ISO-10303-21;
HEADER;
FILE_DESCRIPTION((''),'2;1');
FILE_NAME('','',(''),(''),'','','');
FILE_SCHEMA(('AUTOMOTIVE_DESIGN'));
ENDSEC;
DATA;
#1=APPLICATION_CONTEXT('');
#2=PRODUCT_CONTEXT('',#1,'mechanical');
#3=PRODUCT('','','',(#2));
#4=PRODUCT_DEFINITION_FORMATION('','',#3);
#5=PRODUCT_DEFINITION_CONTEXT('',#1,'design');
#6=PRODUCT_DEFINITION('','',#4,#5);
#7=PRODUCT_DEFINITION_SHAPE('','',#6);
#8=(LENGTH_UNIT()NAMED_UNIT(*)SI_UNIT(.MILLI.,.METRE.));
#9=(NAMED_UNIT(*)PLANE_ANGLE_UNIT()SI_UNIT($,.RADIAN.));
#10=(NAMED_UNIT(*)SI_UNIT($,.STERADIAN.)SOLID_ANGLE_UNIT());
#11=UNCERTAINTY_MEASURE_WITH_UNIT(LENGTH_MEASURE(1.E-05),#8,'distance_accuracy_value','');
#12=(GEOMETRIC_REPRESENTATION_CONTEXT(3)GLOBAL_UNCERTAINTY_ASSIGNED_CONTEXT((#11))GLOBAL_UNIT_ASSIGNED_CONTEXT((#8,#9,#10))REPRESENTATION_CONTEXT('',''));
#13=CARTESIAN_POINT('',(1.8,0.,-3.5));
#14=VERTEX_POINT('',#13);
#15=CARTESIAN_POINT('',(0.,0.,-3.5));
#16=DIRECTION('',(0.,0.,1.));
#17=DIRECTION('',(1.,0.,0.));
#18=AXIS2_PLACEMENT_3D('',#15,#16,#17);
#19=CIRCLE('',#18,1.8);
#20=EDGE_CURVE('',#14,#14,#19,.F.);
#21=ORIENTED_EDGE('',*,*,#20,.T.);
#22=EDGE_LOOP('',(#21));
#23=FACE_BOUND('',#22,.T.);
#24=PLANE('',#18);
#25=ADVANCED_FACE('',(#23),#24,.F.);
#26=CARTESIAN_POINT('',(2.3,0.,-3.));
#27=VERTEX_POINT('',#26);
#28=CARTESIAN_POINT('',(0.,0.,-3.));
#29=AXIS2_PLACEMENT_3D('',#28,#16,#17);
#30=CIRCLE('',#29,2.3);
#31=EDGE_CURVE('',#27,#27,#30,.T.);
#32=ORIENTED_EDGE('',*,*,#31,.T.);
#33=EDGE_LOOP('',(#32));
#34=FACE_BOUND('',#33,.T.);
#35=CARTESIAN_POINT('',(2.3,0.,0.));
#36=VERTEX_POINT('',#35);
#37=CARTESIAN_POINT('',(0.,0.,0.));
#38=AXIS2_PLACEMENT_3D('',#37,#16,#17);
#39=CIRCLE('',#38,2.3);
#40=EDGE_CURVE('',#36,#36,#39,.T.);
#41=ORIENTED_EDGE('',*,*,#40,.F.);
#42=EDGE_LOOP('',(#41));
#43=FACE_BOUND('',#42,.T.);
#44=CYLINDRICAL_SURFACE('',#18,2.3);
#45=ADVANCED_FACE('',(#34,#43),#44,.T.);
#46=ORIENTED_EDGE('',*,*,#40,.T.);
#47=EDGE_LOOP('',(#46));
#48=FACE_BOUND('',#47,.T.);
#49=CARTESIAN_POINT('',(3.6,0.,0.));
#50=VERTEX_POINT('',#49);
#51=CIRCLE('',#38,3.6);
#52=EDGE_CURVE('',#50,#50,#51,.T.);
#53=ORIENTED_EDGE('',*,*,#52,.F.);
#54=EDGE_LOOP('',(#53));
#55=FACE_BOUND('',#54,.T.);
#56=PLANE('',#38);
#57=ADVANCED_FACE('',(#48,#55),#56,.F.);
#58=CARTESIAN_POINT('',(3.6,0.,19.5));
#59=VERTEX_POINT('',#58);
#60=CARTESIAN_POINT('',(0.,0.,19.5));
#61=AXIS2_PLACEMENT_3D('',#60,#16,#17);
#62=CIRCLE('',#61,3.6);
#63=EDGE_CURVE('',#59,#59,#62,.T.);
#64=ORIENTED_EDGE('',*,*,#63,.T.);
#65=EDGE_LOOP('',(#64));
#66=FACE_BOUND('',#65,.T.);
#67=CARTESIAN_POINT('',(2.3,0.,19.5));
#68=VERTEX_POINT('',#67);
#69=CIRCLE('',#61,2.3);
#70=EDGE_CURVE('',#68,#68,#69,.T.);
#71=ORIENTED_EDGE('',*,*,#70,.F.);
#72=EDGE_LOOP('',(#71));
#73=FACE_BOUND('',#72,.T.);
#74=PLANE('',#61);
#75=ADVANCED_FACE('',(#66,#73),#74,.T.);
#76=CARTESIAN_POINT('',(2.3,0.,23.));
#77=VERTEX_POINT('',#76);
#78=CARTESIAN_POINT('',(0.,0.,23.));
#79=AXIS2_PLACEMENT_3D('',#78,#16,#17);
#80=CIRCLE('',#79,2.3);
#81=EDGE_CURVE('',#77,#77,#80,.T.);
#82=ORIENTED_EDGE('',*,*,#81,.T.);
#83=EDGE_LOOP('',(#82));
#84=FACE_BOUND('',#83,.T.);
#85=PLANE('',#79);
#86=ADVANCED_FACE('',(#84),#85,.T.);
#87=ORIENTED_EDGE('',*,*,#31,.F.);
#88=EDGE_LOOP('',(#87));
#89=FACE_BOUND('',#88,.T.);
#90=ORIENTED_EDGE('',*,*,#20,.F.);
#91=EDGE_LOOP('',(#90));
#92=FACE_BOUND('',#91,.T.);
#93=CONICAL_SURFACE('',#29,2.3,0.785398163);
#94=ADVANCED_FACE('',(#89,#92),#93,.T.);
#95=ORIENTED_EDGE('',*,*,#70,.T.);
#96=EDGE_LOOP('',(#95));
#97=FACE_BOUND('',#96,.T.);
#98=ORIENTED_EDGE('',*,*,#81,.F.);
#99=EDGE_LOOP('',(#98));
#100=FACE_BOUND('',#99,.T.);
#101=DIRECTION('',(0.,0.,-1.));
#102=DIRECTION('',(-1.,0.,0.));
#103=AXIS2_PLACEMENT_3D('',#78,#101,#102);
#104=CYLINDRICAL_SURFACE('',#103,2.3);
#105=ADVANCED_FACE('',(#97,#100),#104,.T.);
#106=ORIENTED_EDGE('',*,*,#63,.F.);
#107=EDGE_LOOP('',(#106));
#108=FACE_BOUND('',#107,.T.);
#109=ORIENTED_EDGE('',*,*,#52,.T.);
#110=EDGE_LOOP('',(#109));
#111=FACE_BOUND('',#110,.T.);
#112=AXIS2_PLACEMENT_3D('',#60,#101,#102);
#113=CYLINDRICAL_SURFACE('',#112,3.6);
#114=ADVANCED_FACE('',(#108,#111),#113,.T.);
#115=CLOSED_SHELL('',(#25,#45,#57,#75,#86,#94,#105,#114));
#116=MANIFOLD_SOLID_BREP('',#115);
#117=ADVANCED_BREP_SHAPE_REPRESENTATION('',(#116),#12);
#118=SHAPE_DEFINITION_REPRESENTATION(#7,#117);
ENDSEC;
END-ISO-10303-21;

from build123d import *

# Parameters (mm, degrees)
SKETCH3_R           = 3.6
BOSS_EXTRUDE1_DEPTH = 19.5
SKETCH4_R           = 2.3
BOSS_EXTRUDE2_DEPTH = 3.5
BOSS_EXTRUDE3_START = 3.5
SKETCH5_R           = 2.3
BOSS_EXTRUDE3_DEPTH = 3.5
CHAMFER1_SIZE       = 0.5


with BuildPart() as part:
    # Sketch3 → Boss-Extrude1 (new body)
    with BuildSketch(Plane.XY):
        Circle(SKETCH3_R)
    extrude(amount=BOSS_EXTRUDE1_DEPTH)

    # Sketch4 → Boss-Extrude2 (add)
    with BuildSketch(Plane.XY):
        Circle(SKETCH4_R)
    extrude(amount=-BOSS_EXTRUDE2_DEPTH)

    # Sketch5 → Boss-Extrude3 (add)
    with BuildSketch(Plane.XY.offset(19.5).offset(BOSS_EXTRUDE3_START)):
        Circle(SKETCH5_R)
    extrude(amount=-BOSS_EXTRUDE3_DEPTH)

    # Chamfer1
    chamfer1_edges = [part.edges().sort_by_distance(p)[0] for p in [
        (-2.3, 0, -3.5),
    ]]
    chamfer(chamfer1_edges, length=CHAMFER1_SIZE)


solid = part.part
